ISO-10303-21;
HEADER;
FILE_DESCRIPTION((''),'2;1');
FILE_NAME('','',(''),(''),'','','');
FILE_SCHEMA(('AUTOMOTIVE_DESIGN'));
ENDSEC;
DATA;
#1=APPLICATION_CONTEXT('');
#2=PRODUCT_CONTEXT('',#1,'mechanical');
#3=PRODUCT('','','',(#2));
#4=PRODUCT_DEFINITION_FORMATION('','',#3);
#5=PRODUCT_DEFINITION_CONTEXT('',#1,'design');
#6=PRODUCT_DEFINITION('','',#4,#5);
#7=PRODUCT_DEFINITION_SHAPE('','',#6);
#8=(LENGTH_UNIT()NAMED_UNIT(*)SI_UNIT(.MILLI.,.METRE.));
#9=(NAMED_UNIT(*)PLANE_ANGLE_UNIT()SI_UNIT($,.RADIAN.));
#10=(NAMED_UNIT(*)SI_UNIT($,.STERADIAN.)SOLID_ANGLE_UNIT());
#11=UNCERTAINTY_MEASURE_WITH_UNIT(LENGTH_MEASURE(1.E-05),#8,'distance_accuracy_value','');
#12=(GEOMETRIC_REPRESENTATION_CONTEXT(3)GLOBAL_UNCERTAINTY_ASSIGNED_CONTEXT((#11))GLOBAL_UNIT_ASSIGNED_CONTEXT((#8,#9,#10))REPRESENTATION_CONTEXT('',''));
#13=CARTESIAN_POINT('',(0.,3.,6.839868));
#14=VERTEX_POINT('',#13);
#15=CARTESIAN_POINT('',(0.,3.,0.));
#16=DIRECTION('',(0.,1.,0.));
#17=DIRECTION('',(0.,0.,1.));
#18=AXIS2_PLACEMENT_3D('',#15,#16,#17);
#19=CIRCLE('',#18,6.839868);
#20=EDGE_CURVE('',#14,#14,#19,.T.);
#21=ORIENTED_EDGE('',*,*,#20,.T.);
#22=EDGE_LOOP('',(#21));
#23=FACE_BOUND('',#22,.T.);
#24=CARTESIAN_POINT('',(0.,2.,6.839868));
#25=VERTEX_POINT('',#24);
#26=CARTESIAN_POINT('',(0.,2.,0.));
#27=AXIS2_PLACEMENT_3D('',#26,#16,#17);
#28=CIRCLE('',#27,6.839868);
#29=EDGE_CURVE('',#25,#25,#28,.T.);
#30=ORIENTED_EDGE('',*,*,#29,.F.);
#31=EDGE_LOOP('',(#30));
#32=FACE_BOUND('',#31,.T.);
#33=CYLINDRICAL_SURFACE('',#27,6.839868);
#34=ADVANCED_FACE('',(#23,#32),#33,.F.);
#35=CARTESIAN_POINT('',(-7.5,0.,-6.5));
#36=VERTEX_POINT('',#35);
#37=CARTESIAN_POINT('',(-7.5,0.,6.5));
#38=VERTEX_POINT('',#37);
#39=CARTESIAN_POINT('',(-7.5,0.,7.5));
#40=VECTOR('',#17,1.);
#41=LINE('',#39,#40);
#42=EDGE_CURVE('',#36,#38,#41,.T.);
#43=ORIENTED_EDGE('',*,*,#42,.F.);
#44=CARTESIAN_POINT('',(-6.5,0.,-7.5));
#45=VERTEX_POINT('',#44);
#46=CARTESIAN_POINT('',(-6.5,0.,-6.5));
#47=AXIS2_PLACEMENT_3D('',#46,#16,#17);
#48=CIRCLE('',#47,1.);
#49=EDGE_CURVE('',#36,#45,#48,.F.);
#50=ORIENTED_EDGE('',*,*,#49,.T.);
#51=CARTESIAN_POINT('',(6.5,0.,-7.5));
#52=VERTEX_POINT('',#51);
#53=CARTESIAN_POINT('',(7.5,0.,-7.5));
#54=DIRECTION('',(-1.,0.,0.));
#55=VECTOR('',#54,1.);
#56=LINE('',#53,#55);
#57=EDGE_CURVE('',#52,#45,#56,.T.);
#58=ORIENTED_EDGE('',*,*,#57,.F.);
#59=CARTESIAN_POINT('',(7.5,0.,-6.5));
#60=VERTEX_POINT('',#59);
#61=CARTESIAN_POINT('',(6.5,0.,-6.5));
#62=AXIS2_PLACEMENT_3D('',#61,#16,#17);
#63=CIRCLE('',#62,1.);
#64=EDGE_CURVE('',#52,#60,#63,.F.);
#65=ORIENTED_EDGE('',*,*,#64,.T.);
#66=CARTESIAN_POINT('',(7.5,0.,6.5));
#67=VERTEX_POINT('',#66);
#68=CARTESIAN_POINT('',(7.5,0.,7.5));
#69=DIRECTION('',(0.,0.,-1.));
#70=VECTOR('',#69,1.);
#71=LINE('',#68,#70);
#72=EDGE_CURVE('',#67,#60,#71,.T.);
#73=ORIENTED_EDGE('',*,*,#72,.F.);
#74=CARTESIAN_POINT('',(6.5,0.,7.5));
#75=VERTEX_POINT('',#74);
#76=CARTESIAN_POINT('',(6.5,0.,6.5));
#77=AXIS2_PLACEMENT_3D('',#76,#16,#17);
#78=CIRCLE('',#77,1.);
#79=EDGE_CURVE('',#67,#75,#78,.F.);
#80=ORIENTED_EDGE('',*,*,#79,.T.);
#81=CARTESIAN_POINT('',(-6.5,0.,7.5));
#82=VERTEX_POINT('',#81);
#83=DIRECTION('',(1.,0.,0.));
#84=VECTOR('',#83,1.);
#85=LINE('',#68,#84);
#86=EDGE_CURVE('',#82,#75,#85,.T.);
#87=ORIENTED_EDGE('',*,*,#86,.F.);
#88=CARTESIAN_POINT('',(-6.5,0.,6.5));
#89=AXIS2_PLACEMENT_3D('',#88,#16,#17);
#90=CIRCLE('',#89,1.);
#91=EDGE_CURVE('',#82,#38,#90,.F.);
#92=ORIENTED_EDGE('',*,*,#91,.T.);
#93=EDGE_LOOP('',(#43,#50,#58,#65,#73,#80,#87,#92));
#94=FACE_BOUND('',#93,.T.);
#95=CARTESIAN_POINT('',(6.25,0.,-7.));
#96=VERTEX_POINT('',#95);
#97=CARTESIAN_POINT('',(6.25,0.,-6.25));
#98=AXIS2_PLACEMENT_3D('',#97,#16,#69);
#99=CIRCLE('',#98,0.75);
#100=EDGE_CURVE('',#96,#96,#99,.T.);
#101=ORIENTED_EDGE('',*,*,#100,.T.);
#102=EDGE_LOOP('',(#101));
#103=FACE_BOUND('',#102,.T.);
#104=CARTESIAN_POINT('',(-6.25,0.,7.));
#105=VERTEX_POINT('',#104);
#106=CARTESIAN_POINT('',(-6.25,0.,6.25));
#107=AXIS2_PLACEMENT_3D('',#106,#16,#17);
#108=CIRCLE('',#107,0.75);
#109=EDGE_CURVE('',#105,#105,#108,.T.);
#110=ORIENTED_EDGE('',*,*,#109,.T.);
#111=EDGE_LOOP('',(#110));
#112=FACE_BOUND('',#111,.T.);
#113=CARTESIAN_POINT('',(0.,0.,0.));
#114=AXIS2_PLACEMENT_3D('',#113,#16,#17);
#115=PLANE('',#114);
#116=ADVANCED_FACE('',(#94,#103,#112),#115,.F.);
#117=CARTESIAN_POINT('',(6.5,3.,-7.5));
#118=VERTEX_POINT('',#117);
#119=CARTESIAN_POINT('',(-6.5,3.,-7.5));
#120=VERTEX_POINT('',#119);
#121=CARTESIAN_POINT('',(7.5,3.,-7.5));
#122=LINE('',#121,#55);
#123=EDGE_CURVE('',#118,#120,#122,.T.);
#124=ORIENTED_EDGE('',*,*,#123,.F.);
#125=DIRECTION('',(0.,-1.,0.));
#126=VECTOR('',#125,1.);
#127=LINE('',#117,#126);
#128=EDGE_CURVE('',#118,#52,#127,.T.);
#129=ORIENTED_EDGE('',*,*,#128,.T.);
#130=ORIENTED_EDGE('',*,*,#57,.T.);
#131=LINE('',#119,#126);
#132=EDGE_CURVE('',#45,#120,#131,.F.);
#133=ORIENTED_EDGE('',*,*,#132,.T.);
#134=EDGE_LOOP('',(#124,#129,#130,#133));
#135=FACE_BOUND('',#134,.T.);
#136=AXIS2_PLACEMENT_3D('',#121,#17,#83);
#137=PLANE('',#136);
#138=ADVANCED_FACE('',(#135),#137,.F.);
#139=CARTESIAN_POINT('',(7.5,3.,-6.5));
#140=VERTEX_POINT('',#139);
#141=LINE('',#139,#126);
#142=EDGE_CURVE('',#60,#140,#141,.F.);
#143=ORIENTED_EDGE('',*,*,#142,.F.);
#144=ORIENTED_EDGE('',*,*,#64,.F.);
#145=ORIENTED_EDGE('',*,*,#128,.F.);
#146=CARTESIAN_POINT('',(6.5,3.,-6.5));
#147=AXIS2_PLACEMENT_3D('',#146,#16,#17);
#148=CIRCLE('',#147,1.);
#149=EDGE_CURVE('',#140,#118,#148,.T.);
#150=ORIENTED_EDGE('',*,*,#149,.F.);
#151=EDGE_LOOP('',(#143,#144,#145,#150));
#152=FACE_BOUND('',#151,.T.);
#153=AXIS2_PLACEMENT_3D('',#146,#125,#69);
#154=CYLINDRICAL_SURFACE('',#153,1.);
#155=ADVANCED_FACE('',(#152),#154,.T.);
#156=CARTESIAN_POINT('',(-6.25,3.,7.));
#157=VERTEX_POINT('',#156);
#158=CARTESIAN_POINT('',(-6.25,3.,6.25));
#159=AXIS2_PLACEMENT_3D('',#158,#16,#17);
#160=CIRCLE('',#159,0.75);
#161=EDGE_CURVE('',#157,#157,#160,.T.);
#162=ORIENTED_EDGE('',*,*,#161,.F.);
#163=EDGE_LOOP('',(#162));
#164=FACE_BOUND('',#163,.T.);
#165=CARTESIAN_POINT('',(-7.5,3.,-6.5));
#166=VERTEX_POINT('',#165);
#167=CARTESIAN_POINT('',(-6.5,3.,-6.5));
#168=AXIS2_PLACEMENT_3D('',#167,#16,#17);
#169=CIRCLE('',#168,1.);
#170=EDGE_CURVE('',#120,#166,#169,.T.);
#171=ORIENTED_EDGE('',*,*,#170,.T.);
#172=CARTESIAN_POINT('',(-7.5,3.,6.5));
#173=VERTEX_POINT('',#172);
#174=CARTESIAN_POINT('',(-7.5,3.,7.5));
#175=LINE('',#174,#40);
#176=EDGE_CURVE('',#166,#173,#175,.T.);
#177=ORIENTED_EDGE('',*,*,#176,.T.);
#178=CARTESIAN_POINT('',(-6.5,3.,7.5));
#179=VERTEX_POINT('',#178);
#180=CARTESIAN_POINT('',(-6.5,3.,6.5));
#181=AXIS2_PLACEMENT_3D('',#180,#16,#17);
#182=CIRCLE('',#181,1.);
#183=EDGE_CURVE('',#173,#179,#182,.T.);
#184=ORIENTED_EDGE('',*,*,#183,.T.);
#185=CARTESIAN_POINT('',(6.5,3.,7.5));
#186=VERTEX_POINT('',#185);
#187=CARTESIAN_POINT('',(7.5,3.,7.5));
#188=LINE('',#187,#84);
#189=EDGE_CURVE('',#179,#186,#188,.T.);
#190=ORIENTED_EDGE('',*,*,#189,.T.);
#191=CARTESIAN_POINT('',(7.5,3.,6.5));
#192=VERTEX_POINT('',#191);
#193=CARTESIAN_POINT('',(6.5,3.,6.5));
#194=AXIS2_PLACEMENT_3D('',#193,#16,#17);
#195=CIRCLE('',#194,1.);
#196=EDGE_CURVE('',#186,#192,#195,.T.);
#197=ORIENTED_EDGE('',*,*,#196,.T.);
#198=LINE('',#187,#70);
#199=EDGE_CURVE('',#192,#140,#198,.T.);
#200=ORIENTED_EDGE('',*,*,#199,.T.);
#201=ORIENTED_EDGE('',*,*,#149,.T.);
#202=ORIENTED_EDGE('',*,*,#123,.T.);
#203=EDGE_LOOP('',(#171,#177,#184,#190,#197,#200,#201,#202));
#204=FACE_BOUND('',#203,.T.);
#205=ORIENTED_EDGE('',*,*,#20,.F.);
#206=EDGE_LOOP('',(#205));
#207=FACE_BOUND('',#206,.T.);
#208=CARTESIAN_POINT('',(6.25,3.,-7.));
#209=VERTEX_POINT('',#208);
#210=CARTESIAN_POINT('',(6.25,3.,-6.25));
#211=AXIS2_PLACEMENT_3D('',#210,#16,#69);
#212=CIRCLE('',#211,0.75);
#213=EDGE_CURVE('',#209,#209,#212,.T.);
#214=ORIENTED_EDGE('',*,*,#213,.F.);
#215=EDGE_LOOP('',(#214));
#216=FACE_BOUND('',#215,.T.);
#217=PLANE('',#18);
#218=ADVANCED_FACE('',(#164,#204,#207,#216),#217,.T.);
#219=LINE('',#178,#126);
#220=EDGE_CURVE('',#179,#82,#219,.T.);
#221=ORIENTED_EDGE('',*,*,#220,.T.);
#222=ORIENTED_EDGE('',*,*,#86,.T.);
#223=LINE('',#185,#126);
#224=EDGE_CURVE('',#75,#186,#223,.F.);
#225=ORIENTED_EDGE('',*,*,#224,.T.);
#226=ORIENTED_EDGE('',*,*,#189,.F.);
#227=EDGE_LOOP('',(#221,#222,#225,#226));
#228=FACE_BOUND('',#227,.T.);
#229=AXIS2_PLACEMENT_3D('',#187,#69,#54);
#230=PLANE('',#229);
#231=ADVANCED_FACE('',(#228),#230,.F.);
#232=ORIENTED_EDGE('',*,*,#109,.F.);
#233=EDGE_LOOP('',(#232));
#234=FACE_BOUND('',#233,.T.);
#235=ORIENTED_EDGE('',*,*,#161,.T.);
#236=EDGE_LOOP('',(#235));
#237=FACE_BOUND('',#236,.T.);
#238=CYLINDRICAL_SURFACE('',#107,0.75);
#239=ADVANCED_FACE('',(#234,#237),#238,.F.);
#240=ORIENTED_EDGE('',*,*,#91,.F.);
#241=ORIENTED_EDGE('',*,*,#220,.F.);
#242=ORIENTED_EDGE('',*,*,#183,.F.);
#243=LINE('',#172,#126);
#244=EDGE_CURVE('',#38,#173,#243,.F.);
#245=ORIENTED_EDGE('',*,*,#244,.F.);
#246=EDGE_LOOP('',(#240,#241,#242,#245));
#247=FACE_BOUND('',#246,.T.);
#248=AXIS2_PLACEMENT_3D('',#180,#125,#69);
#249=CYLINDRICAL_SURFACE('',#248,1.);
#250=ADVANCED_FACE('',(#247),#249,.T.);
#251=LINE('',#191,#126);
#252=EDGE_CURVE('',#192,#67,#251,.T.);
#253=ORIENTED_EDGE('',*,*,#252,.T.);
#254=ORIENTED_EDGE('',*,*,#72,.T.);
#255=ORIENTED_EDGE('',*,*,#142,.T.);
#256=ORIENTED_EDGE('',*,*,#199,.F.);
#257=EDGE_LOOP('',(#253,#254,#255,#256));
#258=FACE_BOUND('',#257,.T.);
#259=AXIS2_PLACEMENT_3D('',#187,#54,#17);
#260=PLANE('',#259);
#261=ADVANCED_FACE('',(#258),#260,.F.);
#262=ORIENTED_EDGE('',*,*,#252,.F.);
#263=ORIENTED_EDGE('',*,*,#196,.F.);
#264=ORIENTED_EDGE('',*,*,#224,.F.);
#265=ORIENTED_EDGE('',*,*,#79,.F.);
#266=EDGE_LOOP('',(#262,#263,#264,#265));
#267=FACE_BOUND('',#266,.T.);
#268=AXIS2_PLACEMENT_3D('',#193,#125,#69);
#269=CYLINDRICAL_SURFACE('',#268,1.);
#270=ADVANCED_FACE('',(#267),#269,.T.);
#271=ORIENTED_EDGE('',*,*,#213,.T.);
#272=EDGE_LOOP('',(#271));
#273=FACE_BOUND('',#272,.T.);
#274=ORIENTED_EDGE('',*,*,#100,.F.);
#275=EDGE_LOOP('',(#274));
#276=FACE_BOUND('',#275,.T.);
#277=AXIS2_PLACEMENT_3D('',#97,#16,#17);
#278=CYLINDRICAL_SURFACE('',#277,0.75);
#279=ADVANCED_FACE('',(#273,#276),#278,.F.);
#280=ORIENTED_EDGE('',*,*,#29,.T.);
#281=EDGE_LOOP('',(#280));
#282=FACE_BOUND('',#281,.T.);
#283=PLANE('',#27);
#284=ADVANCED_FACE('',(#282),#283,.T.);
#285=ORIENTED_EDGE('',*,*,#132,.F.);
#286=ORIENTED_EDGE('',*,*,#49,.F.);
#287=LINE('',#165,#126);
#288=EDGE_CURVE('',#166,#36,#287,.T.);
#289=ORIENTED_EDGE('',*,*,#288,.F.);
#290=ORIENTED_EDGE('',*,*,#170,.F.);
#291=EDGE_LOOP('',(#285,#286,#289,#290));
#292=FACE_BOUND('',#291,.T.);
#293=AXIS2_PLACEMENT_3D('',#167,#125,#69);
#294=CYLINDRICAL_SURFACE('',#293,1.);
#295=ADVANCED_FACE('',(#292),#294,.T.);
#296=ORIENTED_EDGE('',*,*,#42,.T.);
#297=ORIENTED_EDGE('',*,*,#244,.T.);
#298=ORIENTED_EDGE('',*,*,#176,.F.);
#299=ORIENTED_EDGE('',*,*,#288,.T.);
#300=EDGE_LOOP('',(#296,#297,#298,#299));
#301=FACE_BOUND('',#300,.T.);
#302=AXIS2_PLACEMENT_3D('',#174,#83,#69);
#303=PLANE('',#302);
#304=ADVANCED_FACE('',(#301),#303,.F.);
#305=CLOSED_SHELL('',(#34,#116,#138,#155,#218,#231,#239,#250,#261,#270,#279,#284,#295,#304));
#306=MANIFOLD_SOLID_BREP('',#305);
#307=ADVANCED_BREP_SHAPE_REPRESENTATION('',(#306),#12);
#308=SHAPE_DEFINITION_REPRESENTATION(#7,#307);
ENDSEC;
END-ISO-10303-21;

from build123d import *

# Parameters (mm, degrees)
SKETCH_1_W          = 15
SKETCH_1_H          = 15
EXTRUDE_1_DEPTH     = 3
FILLET_1_R          = 1
SKETCH_2_R          = 0.75
CUT_EXTRUDE_1_DEPTH = 4
SKETCH_3_R          = 6.839868167
CUT_EXTRUDE_2_DEPTH = 1


with BuildPart() as part:
    # 草图1 → 凸台-拉伸1 (new body)
    with BuildSketch(Plane(origin=(0, 0, 0), x_dir=(1, 0, 0), z_dir=(0, 1, 0))):
        Rectangle(SKETCH_1_W, SKETCH_1_H)
    extrude(amount=EXTRUDE_1_DEPTH)

    # 圆角1
    fillet_1_edges = [part.edges().sort_by_distance(p)[0] for p in [
        (-7.5, 1.5, -7.5),
        (7.5, 1.5, -7.5),
        (7.5, 1.5, 7.5),
        (-7.5, 1.5, 7.5),
    ]]
    fillet(fillet_1_edges, radius=FILLET_1_R)

    # 草图2 → 切除-拉伸1 (cut, through all)
    with BuildSketch(Plane(origin=(0, 3, 0), x_dir=(1, 0, 0), z_dir=(0, 1, 0))):
        with Locations((-6.25, -6.25)):
            Circle(SKETCH_2_R)
        with Locations((6.25, 6.25)):
            Circle(SKETCH_2_R)
    extrude(amount=-CUT_EXTRUDE_1_DEPTH, mode=Mode.SUBTRACT)

    # 草图3 → 切除-拉伸2 (cut)
    with BuildSketch(Plane(origin=(0, 3, 0), x_dir=(1, 0, 0), z_dir=(0, 1, 0))):
        Circle(SKETCH_3_R)
    extrude(amount=-CUT_EXTRUDE_2_DEPTH, mode=Mode.SUBTRACT)


solid = part.part
